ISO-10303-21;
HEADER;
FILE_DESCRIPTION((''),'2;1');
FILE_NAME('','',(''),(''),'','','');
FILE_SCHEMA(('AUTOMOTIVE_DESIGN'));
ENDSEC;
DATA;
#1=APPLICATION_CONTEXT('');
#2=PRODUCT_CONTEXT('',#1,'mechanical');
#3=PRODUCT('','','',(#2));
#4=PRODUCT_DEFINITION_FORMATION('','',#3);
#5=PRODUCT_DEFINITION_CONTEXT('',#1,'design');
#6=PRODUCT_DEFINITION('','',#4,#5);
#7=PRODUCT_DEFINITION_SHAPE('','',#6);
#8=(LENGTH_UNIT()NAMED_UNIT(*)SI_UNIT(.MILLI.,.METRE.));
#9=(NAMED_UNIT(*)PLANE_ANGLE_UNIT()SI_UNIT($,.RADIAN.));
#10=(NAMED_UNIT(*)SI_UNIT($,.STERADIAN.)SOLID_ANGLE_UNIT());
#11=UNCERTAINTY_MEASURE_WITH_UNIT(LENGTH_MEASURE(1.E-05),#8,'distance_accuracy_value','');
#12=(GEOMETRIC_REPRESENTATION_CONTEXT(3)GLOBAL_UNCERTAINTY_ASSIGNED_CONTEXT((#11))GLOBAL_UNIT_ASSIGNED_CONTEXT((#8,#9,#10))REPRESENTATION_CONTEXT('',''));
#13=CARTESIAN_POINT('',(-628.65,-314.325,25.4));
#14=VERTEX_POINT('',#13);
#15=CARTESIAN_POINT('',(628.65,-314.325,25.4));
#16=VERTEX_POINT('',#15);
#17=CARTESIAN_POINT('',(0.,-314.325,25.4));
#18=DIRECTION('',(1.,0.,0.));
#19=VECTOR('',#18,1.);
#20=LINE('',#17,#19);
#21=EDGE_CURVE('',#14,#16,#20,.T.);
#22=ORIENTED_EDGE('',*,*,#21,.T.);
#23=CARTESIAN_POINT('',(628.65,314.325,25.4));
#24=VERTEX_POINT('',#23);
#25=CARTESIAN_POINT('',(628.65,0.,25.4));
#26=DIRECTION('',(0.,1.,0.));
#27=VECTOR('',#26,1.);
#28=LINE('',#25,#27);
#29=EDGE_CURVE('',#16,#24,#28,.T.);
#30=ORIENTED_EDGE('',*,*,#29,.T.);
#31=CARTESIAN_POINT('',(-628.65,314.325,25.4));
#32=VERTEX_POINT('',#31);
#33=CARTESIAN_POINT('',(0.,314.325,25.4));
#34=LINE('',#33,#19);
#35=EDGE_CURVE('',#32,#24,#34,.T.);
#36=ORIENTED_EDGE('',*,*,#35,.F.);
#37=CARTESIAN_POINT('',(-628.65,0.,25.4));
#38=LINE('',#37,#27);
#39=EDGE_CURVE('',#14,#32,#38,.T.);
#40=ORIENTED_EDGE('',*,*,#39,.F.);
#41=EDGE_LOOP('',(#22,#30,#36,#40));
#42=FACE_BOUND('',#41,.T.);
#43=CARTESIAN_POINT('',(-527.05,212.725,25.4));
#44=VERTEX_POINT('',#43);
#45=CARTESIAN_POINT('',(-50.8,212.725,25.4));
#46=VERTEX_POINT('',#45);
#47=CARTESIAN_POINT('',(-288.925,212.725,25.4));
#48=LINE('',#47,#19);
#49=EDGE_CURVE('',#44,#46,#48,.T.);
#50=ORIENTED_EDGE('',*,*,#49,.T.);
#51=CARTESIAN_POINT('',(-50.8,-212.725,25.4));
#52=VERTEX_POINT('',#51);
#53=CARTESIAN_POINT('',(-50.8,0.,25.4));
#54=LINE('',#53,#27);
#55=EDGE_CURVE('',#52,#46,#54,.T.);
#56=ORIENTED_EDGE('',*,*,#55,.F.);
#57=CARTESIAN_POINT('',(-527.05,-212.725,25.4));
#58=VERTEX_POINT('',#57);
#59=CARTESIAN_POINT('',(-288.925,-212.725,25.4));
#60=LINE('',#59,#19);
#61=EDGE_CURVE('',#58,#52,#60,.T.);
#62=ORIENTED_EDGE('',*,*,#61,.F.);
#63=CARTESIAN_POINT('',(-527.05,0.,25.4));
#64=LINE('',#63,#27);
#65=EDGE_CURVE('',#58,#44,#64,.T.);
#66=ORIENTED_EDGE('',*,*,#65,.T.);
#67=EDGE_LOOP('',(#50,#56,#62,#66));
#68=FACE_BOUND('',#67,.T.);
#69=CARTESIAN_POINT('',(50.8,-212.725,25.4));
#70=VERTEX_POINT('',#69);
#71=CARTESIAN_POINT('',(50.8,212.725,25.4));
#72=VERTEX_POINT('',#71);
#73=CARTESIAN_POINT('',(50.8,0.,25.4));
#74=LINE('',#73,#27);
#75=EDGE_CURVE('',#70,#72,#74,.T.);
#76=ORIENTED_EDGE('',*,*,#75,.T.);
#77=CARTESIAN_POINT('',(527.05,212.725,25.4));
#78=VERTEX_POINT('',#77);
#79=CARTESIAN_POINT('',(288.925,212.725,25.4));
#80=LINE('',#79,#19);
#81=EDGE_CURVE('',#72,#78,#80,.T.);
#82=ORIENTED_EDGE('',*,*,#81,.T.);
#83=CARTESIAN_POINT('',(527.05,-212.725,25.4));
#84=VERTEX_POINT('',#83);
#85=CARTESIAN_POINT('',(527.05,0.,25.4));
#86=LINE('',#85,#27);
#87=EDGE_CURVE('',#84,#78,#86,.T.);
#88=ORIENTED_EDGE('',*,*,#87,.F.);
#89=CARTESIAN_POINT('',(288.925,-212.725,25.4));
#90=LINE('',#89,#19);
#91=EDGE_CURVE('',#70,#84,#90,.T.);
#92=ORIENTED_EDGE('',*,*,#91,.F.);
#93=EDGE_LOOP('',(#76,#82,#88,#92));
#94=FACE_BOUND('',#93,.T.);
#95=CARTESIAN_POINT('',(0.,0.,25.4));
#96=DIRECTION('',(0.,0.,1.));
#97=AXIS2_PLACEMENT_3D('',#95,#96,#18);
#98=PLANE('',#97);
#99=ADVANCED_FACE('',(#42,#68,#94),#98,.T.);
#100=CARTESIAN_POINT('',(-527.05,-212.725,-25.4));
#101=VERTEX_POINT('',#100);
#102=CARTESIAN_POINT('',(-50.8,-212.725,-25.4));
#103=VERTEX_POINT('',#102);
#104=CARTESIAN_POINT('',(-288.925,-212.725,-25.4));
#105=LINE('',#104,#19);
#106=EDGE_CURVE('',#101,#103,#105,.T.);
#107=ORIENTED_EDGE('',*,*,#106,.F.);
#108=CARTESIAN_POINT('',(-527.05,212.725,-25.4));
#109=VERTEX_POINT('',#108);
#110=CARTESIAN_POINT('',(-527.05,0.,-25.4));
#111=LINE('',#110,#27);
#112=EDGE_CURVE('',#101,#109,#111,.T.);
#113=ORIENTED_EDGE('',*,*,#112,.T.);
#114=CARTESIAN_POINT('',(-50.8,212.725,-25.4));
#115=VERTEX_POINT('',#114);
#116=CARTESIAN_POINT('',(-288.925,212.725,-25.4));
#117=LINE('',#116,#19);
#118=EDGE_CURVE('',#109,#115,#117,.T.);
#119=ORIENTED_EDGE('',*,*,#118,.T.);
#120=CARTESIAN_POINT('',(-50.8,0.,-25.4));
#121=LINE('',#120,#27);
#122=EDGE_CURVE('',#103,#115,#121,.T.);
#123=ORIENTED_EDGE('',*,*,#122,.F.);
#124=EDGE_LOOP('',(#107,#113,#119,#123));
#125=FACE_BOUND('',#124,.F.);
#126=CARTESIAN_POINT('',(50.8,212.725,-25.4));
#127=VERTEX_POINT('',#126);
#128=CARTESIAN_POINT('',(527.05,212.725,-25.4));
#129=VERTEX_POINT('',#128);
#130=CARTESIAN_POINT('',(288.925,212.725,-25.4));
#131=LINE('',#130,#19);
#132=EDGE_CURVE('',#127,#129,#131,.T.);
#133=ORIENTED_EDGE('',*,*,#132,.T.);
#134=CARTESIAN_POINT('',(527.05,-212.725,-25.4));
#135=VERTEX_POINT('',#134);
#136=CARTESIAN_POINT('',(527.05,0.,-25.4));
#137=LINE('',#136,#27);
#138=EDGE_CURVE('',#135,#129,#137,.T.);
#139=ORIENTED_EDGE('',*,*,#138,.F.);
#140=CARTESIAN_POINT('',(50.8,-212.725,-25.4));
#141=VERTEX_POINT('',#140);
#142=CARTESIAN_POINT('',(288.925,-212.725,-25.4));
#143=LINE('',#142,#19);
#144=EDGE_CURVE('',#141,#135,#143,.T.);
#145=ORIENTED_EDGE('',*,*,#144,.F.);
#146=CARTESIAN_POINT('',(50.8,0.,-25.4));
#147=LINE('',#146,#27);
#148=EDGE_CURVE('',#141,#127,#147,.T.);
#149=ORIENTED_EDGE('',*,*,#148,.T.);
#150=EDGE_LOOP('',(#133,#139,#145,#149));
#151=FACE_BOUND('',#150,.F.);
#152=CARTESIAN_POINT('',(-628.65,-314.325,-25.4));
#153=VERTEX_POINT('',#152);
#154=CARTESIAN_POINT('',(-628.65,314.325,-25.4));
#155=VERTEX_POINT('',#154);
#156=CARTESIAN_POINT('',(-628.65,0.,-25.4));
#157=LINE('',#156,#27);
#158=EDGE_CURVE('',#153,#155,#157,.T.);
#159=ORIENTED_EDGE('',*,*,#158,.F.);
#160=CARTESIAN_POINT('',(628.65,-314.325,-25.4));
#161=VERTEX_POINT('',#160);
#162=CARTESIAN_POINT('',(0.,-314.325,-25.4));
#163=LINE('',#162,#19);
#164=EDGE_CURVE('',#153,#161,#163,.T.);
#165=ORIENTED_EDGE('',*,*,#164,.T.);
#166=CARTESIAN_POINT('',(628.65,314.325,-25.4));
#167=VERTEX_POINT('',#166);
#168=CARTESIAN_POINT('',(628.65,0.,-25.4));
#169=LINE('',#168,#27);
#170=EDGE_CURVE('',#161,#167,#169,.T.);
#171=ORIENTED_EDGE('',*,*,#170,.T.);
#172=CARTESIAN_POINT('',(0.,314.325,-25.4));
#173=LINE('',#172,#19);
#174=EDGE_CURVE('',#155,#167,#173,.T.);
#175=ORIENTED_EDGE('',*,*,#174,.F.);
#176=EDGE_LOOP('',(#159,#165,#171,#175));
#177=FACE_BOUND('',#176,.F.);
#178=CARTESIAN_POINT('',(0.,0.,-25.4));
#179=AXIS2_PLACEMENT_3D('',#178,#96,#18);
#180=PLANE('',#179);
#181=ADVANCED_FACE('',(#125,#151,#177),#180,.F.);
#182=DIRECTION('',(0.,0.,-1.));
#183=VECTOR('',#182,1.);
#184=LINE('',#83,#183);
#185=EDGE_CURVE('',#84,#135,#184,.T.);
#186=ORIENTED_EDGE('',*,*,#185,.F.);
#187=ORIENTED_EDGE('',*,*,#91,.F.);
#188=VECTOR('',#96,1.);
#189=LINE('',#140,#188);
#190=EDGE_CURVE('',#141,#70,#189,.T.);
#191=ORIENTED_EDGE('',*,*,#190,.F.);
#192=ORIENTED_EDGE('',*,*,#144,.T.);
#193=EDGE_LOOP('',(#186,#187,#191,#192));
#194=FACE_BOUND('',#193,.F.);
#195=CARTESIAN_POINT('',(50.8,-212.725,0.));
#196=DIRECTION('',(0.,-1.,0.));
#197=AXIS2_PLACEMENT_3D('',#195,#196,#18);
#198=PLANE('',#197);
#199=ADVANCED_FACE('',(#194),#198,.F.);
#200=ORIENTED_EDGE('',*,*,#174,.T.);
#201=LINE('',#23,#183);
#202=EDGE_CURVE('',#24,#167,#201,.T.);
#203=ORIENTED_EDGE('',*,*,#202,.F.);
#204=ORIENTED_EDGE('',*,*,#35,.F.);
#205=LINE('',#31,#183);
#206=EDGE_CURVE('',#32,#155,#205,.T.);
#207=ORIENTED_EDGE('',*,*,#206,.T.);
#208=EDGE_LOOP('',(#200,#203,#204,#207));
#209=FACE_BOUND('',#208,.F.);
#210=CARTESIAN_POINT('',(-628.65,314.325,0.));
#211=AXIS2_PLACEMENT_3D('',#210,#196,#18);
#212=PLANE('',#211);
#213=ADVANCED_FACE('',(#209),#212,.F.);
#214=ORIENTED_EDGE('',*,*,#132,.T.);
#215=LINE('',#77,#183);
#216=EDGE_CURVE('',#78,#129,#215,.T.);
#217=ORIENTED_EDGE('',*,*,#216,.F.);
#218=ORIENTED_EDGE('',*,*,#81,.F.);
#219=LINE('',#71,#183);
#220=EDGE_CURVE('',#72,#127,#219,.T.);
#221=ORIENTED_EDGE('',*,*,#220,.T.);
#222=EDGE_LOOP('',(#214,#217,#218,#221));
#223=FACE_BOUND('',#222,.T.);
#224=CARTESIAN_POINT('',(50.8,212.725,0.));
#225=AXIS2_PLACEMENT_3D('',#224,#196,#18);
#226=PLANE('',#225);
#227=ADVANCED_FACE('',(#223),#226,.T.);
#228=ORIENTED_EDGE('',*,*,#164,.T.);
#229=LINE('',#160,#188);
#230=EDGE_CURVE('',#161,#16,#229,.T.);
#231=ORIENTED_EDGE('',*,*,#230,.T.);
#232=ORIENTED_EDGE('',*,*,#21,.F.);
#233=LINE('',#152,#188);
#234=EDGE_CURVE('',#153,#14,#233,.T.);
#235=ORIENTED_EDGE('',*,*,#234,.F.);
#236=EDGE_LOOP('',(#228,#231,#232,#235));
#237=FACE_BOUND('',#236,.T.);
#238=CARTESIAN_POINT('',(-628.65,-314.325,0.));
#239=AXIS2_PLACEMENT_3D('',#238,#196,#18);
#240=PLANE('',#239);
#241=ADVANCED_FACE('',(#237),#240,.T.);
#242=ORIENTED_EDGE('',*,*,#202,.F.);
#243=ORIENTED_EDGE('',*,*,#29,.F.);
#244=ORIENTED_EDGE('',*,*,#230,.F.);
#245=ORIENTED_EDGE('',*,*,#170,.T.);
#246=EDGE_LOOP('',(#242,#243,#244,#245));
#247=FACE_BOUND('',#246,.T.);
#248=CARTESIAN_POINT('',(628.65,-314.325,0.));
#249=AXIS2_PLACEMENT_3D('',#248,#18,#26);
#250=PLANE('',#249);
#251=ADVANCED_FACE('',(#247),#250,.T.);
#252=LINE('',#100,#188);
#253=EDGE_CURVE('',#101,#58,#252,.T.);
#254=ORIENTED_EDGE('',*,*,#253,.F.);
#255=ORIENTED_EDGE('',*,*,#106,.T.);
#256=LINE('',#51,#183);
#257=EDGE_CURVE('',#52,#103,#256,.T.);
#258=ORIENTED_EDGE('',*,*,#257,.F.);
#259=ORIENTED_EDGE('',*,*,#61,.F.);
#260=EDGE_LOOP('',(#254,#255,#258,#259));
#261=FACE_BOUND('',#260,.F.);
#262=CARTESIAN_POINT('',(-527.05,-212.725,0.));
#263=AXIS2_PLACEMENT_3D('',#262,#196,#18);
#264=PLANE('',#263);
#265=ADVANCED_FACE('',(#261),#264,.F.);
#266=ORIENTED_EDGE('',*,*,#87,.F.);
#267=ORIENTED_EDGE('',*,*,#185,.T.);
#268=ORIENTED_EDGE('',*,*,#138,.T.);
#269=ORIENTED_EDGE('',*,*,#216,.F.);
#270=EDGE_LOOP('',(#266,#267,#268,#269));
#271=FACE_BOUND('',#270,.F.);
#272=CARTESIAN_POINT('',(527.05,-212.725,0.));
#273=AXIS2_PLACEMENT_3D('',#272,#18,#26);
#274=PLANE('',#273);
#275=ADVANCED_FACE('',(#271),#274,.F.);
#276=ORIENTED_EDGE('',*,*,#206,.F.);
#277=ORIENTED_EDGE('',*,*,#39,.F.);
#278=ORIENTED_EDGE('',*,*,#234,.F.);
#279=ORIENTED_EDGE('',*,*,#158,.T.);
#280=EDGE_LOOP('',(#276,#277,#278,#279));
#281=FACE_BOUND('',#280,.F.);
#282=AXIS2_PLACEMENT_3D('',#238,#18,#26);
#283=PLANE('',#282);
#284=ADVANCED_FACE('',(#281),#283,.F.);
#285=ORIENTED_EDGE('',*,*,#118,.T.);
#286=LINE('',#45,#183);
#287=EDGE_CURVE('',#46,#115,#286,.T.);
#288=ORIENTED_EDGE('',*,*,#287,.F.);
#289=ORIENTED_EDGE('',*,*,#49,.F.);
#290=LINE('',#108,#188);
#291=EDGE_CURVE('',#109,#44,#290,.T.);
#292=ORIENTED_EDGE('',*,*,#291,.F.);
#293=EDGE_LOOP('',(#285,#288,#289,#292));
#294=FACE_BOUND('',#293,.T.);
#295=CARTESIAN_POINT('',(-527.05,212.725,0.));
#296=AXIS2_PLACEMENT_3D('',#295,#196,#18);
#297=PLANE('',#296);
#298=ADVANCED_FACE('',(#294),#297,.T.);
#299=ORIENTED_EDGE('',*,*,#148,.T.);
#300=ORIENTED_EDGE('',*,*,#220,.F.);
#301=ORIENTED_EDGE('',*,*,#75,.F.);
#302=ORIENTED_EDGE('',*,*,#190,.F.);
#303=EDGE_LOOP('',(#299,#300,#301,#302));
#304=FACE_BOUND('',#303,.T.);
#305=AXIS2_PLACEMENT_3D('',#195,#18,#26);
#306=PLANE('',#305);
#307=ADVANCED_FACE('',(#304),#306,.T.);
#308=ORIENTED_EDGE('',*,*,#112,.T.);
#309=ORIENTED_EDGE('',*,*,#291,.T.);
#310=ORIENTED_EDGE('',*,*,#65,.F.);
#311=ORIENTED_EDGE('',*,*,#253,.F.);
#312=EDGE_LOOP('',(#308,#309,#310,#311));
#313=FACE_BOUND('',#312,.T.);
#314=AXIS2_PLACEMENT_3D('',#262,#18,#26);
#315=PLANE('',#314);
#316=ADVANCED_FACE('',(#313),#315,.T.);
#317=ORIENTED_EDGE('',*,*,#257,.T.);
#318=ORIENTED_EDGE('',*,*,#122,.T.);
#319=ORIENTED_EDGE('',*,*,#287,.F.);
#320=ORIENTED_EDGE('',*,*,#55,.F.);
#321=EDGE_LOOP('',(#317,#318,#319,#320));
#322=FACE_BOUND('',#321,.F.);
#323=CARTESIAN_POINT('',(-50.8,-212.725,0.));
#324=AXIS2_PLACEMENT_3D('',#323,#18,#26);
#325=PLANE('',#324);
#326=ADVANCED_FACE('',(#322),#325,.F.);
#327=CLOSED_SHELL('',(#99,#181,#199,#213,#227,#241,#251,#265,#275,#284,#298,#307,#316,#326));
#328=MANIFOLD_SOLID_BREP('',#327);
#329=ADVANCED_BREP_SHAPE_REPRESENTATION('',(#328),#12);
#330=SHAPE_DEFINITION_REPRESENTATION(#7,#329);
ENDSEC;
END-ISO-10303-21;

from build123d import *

# Parameters (mm, degrees)
F0_W     = 1257.3
F0_H     = 628.65
F0_W_2   = 476.25
F0_H_2   = 425.45
F1_DEPTH = 25.4


with BuildPart() as f1:
    # F0 (on Top) → F1 (new body, symmetric)
    with BuildSketch(Plane.XY):
        Rectangle(F0_W, F0_H)
        with Locations((-288.925, 0)):
            Rectangle(F0_W_2, F0_H_2, mode=Mode.SUBTRACT)
        with Locations((288.925, 0)):
            Rectangle(F0_W_2, F0_H_2, mode=Mode.SUBTRACT)
    extrude(amount=F1_DEPTH, both=True)


solid = f1.part
